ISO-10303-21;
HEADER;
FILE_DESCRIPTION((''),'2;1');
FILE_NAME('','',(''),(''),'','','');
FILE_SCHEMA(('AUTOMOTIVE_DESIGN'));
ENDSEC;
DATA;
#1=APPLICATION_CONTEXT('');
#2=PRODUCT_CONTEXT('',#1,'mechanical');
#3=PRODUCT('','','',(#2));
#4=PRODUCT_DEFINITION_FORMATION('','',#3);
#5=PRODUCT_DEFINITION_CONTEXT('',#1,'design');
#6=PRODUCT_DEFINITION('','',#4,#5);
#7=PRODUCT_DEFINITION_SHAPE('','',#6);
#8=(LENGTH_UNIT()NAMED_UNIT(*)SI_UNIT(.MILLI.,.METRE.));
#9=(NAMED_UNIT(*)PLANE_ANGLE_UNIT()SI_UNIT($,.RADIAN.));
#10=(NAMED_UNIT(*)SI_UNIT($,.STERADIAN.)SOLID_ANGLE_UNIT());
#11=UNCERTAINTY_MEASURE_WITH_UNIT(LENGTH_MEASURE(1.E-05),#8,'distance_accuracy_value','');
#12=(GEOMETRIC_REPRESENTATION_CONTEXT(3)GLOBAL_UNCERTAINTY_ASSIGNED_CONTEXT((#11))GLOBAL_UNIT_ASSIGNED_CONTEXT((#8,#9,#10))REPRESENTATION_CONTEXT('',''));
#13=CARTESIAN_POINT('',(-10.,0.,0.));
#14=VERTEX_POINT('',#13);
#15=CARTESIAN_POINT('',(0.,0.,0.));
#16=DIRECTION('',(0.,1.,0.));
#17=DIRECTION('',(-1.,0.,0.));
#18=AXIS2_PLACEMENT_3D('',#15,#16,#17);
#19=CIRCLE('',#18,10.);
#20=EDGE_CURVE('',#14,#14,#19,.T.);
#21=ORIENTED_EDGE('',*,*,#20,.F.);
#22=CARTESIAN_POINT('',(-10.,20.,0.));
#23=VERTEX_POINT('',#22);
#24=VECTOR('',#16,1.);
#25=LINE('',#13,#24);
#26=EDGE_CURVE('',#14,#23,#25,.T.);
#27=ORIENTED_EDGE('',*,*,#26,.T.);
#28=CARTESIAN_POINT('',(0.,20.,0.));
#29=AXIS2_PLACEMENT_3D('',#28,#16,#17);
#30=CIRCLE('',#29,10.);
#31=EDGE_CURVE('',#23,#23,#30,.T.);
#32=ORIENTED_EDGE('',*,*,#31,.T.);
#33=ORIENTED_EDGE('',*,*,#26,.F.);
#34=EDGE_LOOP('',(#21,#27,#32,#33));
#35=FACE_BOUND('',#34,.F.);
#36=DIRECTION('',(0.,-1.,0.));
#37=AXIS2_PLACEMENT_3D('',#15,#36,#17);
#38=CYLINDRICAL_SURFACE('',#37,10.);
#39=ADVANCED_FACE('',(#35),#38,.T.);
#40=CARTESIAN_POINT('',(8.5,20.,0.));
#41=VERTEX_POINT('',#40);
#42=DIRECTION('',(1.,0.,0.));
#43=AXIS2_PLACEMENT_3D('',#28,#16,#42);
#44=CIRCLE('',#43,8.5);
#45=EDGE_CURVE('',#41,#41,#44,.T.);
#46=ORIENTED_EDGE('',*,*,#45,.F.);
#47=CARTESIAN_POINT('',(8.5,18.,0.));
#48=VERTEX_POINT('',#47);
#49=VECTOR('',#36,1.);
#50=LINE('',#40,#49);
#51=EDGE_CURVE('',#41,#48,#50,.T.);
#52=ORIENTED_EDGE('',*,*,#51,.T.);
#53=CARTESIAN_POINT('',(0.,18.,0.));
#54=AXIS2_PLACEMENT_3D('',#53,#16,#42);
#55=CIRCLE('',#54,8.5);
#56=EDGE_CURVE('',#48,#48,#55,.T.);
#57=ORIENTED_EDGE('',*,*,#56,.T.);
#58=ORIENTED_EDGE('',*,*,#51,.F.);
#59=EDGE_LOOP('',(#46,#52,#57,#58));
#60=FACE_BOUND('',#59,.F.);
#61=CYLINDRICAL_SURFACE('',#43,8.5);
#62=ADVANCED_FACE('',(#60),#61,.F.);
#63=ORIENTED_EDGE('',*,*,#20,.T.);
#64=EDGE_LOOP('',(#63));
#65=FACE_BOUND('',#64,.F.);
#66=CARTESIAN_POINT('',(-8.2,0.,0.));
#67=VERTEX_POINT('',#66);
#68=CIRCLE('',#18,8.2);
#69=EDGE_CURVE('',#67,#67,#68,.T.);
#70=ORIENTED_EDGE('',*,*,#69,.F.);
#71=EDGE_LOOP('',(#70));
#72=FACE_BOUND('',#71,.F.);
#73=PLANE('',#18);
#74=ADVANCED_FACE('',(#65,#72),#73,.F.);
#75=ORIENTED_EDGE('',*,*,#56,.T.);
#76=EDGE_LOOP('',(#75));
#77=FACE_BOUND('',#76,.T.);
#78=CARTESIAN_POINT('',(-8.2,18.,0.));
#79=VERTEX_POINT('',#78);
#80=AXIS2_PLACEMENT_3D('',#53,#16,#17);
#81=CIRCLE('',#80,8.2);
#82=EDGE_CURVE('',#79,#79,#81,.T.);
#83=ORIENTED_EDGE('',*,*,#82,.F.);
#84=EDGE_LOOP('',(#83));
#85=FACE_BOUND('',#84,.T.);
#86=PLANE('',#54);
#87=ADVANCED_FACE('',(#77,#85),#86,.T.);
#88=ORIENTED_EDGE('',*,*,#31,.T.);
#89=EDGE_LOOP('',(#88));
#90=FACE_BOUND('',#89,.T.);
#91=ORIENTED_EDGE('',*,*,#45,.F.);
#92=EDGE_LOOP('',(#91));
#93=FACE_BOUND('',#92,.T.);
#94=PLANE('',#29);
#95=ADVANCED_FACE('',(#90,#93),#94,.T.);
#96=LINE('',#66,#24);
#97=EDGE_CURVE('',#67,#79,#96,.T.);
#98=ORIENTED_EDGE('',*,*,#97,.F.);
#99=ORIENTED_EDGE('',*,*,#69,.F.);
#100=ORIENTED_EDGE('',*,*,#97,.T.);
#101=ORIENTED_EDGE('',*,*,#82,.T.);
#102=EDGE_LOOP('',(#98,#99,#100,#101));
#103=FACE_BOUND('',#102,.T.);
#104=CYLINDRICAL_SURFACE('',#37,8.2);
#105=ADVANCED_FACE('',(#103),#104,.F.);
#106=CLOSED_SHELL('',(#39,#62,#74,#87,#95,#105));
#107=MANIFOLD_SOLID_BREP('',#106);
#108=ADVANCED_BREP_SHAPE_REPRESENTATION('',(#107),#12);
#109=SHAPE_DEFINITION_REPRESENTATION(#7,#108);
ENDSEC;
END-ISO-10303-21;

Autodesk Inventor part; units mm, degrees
ref_plane "YZ Plane" through (0, 0, 0) normal (1, 0, 0) x (0, 1, 0)
ref_plane "XZ Plane" through (0, 0, 0) normal (0, 1, 0) x (-1, 0, 0)
ref_plane "XY Plane" through (0, 0, 0) normal (0, 0, 1) x (1, 0, 0)
sketch "Sketch1" plane through (0, 0, 0) normal (0, 0, 1) x (1, 0, 0)
  point P0 (0, 0)
sketch "Sketch2" plane through (0, 0, 0) normal (0, 1, 0) x (-1, 0, 0)
  circle A0 centre (0, 0) radius 10
  circle A1 centre (0, 0) radius 8.2
  dimension "d0" = 20
  dimension "d1" = 1.8
extrude "Extrusion1" add sketch "Sketch2" along normal blind 20
sketch "Sketch3" plane through (0, 20, 0) normal (0, 1, 0) x (1, 0, 0)
  circle A0 centre (0, 0) radius 8.2 projected
  circle A1 centre (0, 0) radius 10 projected
  circle A2 centre (0, 0) radius 8.5
  dimension "d4" = 1.5
extrude "Extrusion2" cut sketch "Sketch3" against normal blind 2 contours A2
properties part number "extendable_resultant"
